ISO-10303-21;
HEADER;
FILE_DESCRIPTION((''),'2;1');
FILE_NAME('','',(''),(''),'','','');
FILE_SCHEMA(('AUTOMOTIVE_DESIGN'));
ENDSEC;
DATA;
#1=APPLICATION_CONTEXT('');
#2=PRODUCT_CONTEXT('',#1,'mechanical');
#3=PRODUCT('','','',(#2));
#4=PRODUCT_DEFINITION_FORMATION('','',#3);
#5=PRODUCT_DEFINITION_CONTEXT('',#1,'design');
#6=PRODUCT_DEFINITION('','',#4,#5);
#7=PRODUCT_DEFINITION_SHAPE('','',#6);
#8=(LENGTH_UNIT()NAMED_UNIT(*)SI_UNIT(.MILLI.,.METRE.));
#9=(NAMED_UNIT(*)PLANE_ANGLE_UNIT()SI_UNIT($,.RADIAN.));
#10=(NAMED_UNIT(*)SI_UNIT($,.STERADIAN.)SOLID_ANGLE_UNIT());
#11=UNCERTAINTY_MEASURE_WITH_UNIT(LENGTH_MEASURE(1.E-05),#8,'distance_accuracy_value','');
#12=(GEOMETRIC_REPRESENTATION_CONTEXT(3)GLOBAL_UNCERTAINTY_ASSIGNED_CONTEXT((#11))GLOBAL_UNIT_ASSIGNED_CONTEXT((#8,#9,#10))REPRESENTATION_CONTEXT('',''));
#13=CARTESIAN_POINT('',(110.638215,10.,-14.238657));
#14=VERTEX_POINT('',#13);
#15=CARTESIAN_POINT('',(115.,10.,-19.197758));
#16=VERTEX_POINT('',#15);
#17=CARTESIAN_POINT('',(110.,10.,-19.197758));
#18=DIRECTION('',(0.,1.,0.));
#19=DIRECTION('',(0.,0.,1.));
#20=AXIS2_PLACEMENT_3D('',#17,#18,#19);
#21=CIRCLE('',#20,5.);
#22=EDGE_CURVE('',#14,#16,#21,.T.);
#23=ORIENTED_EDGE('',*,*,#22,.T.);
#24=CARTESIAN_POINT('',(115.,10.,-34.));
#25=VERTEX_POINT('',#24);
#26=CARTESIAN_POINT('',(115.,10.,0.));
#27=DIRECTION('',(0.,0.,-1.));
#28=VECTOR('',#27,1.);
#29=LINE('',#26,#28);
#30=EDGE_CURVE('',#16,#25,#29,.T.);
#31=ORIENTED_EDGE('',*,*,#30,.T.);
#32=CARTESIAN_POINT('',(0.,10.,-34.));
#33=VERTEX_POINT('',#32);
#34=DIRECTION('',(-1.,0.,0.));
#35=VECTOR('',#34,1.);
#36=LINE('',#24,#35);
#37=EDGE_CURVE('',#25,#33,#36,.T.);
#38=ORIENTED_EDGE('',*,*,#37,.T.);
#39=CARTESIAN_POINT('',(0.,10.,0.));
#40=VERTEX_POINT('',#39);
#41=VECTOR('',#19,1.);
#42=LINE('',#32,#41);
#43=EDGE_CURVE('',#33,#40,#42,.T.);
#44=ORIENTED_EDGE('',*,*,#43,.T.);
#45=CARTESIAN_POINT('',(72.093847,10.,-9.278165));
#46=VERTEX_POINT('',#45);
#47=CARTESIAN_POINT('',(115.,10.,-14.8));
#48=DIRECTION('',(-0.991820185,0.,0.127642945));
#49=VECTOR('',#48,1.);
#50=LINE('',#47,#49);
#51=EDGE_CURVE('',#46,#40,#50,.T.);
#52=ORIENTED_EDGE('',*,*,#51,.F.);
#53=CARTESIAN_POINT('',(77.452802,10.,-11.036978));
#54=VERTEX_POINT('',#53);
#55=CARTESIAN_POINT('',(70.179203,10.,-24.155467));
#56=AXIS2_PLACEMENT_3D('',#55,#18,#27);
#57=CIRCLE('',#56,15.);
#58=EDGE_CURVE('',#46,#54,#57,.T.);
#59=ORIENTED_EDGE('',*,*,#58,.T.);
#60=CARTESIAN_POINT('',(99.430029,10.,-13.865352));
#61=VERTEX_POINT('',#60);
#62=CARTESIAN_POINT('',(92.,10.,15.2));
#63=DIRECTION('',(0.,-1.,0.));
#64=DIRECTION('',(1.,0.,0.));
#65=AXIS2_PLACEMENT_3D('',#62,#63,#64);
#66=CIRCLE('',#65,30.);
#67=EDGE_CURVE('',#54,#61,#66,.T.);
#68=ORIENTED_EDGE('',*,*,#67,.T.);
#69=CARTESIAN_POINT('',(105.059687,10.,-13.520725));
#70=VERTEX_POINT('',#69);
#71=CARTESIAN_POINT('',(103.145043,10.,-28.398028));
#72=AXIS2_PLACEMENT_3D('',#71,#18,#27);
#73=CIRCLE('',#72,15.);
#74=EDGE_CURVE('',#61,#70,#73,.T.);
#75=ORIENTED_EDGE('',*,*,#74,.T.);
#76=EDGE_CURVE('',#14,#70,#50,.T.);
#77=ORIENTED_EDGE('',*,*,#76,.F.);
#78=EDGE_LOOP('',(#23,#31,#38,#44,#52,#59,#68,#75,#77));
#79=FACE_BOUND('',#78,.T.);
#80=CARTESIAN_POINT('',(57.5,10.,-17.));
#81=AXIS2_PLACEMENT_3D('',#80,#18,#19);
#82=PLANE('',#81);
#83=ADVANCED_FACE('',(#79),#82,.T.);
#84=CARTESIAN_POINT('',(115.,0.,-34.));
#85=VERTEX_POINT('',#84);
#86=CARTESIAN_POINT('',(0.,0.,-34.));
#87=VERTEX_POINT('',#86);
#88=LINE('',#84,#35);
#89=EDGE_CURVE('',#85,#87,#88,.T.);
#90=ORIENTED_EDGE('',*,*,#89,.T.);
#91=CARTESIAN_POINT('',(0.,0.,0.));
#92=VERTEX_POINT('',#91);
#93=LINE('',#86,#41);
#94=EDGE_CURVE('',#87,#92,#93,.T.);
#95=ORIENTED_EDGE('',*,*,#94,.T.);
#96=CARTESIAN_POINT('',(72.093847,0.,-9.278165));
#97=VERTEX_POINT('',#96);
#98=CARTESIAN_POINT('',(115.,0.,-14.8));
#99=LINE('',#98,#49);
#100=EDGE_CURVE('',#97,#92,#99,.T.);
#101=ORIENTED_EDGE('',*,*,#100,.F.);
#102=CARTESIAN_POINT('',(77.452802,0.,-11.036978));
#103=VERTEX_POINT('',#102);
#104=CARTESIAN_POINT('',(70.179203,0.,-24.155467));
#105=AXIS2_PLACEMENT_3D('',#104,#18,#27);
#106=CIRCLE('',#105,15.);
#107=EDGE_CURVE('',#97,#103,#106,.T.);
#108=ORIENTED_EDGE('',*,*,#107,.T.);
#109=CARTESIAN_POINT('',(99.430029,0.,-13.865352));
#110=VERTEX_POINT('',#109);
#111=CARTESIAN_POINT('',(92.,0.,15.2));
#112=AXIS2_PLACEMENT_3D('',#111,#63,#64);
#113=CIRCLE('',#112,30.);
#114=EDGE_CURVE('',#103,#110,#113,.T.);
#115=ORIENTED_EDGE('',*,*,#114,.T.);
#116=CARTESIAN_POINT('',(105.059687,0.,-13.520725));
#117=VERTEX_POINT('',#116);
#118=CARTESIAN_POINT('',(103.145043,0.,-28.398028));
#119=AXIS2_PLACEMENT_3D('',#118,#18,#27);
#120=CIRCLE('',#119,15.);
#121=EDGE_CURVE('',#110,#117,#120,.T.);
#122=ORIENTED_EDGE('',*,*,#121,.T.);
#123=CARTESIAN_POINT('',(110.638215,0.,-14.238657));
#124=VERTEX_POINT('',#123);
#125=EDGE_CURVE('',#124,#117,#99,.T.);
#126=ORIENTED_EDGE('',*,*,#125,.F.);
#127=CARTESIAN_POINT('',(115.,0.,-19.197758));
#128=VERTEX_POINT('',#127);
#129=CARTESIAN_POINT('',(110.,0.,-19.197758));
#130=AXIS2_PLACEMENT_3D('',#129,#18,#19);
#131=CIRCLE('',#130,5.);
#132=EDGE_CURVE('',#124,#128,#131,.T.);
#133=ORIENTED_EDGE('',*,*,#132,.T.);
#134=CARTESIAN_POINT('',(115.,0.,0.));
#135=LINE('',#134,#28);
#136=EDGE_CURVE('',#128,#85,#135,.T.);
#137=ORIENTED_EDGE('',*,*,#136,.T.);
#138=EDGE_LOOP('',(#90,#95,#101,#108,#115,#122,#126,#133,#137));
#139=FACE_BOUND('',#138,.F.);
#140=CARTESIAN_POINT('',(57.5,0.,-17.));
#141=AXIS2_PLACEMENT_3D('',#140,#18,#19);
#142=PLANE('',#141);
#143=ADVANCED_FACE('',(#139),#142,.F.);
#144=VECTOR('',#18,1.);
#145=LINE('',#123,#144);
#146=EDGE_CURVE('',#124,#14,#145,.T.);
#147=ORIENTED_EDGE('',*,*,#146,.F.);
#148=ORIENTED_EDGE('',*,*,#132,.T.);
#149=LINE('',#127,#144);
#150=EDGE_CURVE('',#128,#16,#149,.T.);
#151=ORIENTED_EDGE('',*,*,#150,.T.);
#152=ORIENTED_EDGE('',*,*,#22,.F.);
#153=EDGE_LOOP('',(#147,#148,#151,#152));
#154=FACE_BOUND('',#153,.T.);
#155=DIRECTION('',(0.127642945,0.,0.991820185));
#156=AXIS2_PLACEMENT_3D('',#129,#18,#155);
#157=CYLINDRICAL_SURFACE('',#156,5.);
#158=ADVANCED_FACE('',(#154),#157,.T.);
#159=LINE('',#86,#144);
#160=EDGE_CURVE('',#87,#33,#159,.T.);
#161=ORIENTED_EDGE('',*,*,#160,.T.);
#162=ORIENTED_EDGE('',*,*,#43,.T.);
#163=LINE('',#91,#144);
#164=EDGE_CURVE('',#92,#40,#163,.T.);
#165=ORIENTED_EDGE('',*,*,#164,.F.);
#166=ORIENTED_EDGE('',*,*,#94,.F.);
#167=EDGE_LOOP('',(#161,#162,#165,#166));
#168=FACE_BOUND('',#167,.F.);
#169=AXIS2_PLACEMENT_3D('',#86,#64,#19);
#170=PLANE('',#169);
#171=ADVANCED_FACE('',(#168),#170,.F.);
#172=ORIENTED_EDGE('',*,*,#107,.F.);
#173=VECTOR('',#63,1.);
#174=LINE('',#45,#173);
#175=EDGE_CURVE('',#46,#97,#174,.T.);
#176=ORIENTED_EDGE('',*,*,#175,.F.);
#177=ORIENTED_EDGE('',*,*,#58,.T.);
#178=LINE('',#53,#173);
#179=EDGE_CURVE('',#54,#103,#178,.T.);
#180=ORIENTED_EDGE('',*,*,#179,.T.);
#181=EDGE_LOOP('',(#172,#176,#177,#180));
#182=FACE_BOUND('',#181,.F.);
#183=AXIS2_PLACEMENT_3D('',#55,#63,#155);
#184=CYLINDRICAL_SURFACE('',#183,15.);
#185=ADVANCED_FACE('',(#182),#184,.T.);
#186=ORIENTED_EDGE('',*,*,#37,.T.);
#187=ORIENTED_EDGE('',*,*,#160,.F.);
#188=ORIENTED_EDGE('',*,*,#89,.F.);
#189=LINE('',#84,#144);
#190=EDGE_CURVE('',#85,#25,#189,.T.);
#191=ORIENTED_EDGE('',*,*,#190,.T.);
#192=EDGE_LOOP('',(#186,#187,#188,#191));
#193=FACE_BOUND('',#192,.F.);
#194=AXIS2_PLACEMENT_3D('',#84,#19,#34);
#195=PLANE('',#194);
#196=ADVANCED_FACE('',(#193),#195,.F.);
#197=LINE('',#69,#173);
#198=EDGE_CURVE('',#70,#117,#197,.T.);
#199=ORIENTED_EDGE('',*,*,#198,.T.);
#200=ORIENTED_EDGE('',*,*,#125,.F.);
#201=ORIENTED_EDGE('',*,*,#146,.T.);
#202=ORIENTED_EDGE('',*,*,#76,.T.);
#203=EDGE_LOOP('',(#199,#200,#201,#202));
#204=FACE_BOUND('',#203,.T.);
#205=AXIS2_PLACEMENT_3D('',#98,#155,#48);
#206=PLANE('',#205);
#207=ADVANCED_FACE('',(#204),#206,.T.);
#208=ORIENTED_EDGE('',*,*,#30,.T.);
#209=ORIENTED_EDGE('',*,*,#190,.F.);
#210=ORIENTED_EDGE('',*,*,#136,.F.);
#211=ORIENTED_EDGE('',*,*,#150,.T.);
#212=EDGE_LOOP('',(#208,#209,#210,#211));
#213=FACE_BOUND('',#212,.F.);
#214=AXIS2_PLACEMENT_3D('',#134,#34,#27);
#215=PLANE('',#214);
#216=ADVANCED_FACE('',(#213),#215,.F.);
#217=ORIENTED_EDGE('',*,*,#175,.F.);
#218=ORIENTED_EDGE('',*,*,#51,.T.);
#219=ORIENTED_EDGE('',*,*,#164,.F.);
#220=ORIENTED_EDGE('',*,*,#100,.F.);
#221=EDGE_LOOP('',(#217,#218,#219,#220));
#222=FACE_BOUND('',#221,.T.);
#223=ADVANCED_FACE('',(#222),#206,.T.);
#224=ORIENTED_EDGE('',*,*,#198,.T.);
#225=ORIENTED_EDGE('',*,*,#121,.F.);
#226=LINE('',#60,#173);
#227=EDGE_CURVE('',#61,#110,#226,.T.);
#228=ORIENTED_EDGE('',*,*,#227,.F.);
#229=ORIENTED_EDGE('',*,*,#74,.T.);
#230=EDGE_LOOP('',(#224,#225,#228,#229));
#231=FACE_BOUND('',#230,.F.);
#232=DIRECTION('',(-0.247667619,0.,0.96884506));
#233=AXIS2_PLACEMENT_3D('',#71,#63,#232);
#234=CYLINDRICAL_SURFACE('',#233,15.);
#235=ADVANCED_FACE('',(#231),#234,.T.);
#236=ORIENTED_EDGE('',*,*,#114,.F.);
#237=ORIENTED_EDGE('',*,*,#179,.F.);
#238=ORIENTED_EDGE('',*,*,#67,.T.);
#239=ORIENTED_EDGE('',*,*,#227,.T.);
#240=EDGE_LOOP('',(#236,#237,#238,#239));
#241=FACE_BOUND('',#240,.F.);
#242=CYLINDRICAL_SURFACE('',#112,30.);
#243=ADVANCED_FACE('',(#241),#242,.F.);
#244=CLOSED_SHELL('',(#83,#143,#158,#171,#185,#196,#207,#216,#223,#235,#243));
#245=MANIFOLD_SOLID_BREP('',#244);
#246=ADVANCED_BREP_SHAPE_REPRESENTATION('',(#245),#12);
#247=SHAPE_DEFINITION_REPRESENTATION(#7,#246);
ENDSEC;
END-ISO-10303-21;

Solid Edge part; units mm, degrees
sketch "Sketch1" plane through (0, 0, 0) normal (0, -1, 0) x (1, 0, 0)
  line L0 (0, 0) -> (115, 0)
  line L1 (115, 0) -> (115, -34)
  line L2 (115, -34) -> (0, -34)
  line L3 (0, -34) -> (0, 0)
extrude "Protrusion1" add sketch "Sketch1" against normal blind 10
sketch "Sketch2" plane through (57.5, 0, -17) normal (0, -1, 0) x (1, 0, 0)
  line L0 (57.5, 2.2) -> (-57.5, 17)
  line L1 (-57.5, 17) -> (57.5, 17)
  line L2 (57.5, 17) -> (57.5, 2.2)
extrude "ExtrudedCutout_1" cut sketch "Sketch2" against normal blind 10
sketch "Sketch3" plane through (57.5, 0, -17) normal (0, -1, 0) x (1, 0, 0)
  circle A0 centre (34.5, 32.2) radius 30
extrude "ExtrudedCutout_2" cut sketch "Sketch3" against normal blind 10
fillet "Round_1" radius 15 2 edges at (75.2424, 5, -9.6834) (101.9112, 5, -13.1155)
fillet "Round_3" radius 5 1 edges at (115, 5, -14.8)
